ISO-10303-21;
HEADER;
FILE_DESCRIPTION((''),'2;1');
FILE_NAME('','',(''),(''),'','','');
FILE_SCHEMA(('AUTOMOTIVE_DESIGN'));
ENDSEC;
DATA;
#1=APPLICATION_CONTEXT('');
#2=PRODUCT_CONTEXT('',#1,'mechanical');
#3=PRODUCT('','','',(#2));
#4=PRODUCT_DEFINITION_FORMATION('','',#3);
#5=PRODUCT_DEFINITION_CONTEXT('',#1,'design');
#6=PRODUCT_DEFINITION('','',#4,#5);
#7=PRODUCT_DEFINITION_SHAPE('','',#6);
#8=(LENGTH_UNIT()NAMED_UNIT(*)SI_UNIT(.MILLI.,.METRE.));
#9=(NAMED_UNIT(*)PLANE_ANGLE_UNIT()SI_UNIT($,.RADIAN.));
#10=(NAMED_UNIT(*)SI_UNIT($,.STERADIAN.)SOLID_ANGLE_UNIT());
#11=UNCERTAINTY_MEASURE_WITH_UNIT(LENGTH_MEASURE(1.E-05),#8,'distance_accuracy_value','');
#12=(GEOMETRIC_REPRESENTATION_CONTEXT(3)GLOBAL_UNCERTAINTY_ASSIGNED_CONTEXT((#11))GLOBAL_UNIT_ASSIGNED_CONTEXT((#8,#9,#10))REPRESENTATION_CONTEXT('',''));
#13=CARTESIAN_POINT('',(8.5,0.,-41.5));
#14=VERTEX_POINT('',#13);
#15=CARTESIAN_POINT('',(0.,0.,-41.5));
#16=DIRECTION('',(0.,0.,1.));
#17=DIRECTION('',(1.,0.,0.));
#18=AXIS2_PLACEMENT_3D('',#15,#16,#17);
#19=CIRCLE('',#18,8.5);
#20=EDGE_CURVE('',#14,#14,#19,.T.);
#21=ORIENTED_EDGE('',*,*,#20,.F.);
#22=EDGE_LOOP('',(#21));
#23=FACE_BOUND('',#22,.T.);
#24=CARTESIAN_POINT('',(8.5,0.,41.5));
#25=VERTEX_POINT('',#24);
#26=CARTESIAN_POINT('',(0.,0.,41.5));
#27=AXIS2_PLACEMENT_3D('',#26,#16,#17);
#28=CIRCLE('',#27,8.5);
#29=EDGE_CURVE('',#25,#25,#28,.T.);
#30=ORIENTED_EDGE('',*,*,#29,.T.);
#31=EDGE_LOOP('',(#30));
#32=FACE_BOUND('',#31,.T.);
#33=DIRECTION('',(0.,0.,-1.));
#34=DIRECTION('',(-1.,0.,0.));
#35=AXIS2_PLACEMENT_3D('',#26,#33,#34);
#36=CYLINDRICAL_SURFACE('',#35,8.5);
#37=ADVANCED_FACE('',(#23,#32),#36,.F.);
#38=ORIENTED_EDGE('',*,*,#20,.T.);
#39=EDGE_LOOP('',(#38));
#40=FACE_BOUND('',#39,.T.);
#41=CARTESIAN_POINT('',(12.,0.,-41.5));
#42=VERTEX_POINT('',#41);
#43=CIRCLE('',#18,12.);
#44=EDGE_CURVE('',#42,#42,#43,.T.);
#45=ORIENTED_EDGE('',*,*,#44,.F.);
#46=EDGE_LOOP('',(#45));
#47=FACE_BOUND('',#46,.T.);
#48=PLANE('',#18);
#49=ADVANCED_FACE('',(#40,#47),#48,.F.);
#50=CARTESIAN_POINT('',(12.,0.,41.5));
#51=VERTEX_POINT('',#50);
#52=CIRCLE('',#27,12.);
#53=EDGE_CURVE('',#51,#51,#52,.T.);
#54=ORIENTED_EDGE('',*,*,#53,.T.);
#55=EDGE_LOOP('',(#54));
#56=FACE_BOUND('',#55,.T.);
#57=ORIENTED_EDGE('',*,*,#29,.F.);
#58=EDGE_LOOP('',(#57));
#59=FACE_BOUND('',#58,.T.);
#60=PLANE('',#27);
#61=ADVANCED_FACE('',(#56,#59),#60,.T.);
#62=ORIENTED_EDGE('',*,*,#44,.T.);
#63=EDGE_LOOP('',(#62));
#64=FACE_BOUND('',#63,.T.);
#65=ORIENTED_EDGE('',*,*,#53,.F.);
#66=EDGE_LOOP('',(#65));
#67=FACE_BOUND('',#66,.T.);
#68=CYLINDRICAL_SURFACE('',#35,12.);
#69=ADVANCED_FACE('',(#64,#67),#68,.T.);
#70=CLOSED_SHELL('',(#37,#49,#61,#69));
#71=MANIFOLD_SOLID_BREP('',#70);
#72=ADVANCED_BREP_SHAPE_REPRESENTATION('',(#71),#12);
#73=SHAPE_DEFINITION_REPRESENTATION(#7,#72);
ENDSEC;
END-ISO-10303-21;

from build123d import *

# Parameters (mm, degrees)
SKETCH1_R           = 12
SKETCH1_R_2         = 8.5
BOSS_EXTRUDE1_DEPTH = 41.5


with BuildPart() as part:
    # Sketch1 → Boss-Extrude1 (new body, symmetric)
    with BuildSketch(Plane.XY):
        Circle(SKETCH1_R)
        Circle(SKETCH1_R_2, mode=Mode.SUBTRACT)
    extrude(amount=BOSS_EXTRUDE1_DEPTH, both=True)


solid = part.part
